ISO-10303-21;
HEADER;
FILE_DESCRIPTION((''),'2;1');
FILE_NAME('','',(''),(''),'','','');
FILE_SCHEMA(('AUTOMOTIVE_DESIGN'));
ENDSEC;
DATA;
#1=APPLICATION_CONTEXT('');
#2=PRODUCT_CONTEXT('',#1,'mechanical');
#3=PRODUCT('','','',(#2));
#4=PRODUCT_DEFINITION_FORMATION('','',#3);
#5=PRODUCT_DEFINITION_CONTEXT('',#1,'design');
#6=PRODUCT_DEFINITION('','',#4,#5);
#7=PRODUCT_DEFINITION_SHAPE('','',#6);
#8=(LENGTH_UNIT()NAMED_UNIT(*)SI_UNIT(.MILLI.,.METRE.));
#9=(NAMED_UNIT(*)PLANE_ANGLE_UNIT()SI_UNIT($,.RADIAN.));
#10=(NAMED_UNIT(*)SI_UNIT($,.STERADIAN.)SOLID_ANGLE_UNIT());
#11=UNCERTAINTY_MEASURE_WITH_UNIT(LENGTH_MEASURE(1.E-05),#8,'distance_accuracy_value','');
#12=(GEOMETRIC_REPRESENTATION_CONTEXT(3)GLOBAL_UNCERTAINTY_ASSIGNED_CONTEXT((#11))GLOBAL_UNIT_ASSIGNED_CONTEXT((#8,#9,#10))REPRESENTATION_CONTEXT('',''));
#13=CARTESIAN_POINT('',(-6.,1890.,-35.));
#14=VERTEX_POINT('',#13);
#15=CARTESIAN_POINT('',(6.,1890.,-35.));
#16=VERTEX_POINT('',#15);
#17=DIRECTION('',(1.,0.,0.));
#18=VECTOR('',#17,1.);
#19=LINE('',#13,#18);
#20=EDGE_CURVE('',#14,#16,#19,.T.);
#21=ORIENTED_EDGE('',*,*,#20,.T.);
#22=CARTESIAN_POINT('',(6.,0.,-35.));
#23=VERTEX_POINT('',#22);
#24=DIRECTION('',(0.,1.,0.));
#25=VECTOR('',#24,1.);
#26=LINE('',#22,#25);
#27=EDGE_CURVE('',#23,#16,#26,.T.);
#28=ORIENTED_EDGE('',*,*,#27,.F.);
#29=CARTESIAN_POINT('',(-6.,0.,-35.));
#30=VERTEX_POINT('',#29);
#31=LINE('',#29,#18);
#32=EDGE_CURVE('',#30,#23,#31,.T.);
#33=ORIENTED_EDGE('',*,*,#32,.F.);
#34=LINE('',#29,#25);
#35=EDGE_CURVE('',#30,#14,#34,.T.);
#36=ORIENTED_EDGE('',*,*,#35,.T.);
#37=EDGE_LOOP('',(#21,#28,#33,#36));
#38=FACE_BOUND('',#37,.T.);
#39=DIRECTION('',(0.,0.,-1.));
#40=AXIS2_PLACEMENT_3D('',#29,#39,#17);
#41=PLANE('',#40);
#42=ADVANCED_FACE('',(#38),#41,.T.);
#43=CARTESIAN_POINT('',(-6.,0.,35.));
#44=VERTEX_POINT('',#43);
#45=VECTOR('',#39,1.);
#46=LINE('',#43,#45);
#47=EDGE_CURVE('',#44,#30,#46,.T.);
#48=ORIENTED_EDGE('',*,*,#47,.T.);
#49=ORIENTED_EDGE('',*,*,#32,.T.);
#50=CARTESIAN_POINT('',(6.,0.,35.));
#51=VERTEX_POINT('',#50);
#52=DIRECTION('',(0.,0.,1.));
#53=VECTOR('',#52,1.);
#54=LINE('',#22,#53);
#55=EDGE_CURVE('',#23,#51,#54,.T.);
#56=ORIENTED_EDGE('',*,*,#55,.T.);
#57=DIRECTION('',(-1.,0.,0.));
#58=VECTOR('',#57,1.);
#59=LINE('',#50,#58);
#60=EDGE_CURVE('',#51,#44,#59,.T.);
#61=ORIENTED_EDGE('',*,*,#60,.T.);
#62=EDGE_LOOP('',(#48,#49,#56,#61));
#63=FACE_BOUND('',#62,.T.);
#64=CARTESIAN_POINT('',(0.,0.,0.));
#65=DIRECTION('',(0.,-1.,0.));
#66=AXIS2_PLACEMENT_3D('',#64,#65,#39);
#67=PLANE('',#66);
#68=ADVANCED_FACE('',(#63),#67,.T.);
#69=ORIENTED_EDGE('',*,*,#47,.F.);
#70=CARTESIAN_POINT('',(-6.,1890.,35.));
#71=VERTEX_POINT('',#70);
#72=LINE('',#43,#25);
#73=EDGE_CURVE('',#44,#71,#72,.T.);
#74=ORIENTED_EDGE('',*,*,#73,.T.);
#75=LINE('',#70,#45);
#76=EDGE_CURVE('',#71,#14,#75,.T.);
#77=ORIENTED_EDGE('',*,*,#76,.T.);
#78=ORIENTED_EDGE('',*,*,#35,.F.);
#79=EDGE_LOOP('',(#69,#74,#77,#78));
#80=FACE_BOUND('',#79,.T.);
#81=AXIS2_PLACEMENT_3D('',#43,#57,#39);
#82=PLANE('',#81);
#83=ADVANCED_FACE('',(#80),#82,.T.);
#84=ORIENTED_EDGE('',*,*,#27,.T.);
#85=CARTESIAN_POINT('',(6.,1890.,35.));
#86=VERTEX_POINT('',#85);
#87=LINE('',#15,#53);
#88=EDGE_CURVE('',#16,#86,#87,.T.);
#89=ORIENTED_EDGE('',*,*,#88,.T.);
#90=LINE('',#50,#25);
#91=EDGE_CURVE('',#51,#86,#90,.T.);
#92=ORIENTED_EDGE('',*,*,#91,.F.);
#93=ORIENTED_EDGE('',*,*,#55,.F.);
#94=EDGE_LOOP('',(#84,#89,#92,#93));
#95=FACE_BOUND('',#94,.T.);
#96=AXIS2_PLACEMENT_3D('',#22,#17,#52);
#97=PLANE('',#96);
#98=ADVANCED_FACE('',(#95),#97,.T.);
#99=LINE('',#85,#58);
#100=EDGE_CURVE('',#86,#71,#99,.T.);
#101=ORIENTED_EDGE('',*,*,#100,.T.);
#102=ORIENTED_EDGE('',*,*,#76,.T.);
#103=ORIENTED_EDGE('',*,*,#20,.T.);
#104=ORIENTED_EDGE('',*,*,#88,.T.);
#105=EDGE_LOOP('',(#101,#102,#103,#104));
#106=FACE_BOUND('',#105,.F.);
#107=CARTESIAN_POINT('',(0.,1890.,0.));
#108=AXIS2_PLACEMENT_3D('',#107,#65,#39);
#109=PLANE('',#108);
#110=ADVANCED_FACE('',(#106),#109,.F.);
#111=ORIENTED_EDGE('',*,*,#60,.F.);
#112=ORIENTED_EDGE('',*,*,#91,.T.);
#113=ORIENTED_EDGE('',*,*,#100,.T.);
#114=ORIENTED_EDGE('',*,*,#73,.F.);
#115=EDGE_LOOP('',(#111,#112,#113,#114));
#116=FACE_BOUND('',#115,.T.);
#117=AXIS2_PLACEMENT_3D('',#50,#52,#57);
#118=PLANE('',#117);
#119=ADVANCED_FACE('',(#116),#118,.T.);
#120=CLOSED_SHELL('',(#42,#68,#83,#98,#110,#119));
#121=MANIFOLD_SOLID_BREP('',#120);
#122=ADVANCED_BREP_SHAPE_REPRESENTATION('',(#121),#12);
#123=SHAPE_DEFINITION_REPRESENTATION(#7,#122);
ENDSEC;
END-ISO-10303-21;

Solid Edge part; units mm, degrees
sketch "Sketch1" plane through (0, 0, 0) normal (0, -1, 0) x (1, 0, 0)
  line L0 (-6, -35) -> (6, -35)
  line L1 (6, -35) -> (6, 35)
  line L2 (6, 35) -> (-6, 35)
  line L3 (-6, 35) -> (-6, -35)
extrude "Protrusion1" add sketch "Sketch1" against normal blind 1890
